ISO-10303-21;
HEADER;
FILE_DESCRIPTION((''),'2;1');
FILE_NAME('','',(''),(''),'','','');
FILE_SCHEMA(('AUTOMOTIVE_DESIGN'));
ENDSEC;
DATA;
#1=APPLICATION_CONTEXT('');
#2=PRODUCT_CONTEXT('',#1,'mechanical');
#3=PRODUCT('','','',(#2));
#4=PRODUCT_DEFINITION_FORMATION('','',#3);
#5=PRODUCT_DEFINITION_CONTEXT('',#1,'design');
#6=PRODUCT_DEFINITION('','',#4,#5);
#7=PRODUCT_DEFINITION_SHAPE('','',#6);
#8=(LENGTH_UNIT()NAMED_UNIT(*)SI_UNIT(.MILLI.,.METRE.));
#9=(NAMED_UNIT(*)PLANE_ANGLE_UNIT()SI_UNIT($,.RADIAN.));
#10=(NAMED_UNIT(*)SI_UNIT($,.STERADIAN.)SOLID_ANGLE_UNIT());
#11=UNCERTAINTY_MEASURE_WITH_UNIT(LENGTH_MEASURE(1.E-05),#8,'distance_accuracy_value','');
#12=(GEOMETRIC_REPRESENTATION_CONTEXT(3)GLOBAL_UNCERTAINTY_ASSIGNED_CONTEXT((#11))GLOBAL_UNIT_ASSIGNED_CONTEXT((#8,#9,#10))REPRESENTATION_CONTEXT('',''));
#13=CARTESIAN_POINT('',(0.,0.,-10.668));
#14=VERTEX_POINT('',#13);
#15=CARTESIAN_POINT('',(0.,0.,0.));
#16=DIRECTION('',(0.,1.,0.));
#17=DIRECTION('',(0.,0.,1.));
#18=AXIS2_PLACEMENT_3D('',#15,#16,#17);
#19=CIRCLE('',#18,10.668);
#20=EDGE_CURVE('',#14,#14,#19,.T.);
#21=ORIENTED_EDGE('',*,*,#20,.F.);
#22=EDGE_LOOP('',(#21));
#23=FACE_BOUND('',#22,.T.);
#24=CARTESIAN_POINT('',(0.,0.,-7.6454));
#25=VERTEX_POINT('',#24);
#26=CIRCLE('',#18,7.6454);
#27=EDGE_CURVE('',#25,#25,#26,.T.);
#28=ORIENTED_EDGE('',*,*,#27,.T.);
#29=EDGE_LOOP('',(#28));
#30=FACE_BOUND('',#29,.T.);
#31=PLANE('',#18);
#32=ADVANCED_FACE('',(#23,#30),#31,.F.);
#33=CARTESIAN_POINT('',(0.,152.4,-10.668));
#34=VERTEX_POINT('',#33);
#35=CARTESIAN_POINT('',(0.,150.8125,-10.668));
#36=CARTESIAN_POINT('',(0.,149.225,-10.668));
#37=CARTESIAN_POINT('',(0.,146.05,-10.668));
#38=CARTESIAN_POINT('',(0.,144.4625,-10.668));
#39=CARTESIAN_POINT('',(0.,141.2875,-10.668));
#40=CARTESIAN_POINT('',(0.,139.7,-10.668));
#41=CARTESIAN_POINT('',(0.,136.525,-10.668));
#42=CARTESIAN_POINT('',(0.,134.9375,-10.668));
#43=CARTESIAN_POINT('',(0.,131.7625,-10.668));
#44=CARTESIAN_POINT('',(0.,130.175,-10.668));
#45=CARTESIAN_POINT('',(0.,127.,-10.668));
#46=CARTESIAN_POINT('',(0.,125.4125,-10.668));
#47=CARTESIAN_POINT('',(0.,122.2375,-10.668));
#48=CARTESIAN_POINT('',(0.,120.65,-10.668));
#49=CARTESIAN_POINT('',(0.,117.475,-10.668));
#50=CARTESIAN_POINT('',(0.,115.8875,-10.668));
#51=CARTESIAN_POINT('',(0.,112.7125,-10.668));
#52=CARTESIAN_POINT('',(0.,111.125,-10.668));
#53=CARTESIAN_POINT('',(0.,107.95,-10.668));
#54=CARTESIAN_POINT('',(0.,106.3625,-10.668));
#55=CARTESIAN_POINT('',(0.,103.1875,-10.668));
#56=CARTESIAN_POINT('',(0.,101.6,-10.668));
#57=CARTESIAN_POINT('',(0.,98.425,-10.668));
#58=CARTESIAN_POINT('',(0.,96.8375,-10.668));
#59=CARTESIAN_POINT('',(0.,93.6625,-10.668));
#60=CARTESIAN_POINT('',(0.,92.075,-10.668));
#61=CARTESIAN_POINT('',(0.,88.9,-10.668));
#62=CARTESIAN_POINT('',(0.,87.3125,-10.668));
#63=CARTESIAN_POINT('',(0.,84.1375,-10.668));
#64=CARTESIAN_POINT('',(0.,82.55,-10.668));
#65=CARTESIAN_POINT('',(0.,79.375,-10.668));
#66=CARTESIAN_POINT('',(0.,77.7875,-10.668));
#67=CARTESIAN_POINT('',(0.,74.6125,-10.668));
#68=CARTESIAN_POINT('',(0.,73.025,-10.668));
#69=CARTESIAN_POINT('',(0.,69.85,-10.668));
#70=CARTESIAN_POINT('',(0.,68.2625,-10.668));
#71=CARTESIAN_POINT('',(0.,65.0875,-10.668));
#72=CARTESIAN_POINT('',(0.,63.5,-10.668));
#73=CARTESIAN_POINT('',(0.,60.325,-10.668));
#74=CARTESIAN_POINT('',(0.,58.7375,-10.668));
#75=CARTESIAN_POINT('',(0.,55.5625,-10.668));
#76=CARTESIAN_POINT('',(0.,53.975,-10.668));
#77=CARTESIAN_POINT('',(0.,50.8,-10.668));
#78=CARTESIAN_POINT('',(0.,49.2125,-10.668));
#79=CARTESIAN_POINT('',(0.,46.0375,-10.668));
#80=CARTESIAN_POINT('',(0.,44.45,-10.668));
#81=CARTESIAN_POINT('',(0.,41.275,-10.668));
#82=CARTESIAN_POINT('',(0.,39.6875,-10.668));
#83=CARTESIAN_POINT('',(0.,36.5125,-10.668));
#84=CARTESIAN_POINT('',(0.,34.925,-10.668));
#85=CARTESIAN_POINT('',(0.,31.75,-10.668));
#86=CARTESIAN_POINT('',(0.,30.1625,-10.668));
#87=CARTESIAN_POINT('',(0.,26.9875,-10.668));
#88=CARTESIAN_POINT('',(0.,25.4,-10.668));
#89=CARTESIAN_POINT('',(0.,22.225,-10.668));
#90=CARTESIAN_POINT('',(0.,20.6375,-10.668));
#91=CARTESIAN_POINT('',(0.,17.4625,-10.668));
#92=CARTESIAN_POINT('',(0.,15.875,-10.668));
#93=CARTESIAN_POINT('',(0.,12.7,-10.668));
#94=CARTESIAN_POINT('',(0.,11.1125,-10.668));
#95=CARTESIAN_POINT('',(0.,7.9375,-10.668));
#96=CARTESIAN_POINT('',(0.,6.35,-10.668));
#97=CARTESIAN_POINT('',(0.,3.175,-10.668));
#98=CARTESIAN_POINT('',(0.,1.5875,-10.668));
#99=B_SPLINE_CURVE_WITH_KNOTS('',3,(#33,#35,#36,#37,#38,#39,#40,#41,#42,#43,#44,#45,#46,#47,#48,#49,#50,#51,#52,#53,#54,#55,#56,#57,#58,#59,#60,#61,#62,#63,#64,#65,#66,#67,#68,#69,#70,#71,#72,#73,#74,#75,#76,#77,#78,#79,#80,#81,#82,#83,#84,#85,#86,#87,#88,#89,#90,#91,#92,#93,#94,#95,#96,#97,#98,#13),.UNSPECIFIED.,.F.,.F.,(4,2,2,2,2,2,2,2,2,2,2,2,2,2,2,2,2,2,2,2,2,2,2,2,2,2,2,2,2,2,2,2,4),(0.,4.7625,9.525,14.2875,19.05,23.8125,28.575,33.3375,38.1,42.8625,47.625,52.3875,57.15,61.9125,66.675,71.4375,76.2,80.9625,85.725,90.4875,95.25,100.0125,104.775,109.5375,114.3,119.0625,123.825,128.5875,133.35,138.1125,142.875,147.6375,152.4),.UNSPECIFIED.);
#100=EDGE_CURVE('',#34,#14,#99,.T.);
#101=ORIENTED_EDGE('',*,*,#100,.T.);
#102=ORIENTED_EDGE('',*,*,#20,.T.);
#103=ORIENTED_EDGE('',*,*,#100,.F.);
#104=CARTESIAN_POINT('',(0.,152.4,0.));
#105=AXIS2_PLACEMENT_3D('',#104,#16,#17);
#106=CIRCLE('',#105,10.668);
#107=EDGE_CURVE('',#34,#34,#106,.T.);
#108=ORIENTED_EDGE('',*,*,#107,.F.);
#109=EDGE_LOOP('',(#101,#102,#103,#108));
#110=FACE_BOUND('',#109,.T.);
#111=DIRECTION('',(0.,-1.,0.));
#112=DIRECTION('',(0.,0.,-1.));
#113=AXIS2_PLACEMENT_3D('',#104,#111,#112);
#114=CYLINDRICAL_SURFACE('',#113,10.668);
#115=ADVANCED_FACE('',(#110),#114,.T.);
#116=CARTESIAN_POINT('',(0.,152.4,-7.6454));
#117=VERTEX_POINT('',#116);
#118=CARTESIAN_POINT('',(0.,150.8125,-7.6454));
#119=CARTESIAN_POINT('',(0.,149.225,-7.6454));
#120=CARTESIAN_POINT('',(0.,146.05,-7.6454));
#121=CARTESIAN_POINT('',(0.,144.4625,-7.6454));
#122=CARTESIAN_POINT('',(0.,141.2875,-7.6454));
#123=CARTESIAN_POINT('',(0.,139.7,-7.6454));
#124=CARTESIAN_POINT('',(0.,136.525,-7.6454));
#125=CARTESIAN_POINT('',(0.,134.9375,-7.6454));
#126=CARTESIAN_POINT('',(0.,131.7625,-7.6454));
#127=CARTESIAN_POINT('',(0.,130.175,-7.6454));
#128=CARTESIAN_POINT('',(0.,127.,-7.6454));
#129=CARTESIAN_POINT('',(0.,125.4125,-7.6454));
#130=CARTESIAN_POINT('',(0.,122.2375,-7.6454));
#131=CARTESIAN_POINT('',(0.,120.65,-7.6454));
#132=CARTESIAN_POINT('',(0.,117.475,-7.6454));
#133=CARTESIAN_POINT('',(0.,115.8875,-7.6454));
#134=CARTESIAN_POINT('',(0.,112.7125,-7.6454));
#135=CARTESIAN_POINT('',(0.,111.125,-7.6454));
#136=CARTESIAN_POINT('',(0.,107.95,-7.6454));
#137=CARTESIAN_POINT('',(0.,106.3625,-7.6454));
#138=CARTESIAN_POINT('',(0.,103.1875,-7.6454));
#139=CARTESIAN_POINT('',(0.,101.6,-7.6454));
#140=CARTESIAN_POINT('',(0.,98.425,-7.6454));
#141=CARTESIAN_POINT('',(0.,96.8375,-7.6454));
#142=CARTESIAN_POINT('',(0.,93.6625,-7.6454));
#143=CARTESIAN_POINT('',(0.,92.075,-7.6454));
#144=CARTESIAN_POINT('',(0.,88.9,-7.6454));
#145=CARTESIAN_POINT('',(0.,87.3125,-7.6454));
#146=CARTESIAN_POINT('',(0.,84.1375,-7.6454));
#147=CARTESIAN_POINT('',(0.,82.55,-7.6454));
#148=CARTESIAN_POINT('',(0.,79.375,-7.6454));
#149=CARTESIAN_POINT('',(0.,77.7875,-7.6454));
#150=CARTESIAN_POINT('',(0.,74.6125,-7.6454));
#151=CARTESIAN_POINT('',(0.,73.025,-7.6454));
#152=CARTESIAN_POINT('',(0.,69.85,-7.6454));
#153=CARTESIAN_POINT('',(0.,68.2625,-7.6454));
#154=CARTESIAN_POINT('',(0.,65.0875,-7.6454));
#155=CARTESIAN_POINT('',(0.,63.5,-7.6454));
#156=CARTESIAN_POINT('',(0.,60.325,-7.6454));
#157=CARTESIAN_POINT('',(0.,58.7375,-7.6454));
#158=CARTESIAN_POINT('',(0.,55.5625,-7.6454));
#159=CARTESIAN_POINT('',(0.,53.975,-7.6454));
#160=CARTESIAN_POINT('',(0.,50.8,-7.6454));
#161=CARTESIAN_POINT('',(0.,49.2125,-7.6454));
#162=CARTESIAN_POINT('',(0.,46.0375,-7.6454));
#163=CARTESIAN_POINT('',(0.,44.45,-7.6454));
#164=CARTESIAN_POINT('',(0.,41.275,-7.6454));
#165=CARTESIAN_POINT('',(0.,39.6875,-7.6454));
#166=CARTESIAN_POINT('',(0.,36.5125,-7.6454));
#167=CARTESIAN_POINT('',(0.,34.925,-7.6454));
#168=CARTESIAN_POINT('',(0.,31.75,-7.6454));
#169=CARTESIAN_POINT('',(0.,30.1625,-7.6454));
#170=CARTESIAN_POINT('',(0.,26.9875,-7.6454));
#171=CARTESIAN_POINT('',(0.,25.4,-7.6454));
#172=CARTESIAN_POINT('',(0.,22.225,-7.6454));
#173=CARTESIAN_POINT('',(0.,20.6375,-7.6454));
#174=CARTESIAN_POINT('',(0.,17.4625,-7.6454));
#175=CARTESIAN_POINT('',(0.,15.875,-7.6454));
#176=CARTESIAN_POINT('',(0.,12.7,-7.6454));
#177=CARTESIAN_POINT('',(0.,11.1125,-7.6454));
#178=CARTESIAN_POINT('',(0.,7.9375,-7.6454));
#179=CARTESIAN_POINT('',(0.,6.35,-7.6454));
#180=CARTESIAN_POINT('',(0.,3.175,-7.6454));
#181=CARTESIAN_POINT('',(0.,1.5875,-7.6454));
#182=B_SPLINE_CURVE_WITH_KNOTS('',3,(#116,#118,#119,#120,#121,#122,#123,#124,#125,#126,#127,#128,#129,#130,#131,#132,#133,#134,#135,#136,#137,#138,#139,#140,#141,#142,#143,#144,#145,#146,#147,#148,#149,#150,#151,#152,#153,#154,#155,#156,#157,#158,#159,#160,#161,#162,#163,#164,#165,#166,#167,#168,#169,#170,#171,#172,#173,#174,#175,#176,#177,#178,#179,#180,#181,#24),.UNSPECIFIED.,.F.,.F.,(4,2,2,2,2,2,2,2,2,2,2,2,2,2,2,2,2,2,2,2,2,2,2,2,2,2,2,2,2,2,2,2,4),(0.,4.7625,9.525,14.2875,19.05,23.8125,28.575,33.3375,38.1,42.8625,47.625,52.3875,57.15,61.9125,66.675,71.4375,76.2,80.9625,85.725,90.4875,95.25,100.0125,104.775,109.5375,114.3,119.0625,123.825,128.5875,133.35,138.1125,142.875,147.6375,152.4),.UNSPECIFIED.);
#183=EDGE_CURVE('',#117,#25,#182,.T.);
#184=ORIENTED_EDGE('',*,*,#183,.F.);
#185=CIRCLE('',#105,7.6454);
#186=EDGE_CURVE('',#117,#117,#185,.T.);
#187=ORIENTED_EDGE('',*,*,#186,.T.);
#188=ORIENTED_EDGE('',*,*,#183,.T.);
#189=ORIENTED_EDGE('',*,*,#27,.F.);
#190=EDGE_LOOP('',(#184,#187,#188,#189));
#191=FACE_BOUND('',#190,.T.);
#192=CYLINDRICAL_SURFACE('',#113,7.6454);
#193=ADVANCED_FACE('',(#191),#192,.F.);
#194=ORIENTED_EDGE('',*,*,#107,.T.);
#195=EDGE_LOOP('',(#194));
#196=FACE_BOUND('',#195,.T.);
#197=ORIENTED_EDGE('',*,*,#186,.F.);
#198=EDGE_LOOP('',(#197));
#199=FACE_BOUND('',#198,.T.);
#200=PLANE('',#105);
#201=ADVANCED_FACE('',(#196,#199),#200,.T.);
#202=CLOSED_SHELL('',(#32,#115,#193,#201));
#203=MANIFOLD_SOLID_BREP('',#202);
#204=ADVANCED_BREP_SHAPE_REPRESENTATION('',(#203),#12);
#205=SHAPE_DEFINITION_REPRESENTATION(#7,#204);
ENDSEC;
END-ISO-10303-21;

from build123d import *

# Parameters (mm, degrees)
SKETCH1_R           = 10.668
SKETCH1_R_2         = 7.6454
BOSS_EXTRUDE1_DEPTH = 152.4


with BuildPart() as part:
    # Sketch1 → Boss-Extrude1 (new body)
    with BuildSketch(Plane(origin=(0, 0, 0), x_dir=(1, 0, 0), z_dir=(0, 1, 0))):
        with Locations(Location((0, 0, 0), (0, 0, 90))):
            Circle(SKETCH1_R)
        with Locations(Location((0, 0, 0), (0, 0, 90))):
            Circle(SKETCH1_R_2, mode=Mode.SUBTRACT)
    extrude(amount=BOSS_EXTRUDE1_DEPTH)


solid = part.part
